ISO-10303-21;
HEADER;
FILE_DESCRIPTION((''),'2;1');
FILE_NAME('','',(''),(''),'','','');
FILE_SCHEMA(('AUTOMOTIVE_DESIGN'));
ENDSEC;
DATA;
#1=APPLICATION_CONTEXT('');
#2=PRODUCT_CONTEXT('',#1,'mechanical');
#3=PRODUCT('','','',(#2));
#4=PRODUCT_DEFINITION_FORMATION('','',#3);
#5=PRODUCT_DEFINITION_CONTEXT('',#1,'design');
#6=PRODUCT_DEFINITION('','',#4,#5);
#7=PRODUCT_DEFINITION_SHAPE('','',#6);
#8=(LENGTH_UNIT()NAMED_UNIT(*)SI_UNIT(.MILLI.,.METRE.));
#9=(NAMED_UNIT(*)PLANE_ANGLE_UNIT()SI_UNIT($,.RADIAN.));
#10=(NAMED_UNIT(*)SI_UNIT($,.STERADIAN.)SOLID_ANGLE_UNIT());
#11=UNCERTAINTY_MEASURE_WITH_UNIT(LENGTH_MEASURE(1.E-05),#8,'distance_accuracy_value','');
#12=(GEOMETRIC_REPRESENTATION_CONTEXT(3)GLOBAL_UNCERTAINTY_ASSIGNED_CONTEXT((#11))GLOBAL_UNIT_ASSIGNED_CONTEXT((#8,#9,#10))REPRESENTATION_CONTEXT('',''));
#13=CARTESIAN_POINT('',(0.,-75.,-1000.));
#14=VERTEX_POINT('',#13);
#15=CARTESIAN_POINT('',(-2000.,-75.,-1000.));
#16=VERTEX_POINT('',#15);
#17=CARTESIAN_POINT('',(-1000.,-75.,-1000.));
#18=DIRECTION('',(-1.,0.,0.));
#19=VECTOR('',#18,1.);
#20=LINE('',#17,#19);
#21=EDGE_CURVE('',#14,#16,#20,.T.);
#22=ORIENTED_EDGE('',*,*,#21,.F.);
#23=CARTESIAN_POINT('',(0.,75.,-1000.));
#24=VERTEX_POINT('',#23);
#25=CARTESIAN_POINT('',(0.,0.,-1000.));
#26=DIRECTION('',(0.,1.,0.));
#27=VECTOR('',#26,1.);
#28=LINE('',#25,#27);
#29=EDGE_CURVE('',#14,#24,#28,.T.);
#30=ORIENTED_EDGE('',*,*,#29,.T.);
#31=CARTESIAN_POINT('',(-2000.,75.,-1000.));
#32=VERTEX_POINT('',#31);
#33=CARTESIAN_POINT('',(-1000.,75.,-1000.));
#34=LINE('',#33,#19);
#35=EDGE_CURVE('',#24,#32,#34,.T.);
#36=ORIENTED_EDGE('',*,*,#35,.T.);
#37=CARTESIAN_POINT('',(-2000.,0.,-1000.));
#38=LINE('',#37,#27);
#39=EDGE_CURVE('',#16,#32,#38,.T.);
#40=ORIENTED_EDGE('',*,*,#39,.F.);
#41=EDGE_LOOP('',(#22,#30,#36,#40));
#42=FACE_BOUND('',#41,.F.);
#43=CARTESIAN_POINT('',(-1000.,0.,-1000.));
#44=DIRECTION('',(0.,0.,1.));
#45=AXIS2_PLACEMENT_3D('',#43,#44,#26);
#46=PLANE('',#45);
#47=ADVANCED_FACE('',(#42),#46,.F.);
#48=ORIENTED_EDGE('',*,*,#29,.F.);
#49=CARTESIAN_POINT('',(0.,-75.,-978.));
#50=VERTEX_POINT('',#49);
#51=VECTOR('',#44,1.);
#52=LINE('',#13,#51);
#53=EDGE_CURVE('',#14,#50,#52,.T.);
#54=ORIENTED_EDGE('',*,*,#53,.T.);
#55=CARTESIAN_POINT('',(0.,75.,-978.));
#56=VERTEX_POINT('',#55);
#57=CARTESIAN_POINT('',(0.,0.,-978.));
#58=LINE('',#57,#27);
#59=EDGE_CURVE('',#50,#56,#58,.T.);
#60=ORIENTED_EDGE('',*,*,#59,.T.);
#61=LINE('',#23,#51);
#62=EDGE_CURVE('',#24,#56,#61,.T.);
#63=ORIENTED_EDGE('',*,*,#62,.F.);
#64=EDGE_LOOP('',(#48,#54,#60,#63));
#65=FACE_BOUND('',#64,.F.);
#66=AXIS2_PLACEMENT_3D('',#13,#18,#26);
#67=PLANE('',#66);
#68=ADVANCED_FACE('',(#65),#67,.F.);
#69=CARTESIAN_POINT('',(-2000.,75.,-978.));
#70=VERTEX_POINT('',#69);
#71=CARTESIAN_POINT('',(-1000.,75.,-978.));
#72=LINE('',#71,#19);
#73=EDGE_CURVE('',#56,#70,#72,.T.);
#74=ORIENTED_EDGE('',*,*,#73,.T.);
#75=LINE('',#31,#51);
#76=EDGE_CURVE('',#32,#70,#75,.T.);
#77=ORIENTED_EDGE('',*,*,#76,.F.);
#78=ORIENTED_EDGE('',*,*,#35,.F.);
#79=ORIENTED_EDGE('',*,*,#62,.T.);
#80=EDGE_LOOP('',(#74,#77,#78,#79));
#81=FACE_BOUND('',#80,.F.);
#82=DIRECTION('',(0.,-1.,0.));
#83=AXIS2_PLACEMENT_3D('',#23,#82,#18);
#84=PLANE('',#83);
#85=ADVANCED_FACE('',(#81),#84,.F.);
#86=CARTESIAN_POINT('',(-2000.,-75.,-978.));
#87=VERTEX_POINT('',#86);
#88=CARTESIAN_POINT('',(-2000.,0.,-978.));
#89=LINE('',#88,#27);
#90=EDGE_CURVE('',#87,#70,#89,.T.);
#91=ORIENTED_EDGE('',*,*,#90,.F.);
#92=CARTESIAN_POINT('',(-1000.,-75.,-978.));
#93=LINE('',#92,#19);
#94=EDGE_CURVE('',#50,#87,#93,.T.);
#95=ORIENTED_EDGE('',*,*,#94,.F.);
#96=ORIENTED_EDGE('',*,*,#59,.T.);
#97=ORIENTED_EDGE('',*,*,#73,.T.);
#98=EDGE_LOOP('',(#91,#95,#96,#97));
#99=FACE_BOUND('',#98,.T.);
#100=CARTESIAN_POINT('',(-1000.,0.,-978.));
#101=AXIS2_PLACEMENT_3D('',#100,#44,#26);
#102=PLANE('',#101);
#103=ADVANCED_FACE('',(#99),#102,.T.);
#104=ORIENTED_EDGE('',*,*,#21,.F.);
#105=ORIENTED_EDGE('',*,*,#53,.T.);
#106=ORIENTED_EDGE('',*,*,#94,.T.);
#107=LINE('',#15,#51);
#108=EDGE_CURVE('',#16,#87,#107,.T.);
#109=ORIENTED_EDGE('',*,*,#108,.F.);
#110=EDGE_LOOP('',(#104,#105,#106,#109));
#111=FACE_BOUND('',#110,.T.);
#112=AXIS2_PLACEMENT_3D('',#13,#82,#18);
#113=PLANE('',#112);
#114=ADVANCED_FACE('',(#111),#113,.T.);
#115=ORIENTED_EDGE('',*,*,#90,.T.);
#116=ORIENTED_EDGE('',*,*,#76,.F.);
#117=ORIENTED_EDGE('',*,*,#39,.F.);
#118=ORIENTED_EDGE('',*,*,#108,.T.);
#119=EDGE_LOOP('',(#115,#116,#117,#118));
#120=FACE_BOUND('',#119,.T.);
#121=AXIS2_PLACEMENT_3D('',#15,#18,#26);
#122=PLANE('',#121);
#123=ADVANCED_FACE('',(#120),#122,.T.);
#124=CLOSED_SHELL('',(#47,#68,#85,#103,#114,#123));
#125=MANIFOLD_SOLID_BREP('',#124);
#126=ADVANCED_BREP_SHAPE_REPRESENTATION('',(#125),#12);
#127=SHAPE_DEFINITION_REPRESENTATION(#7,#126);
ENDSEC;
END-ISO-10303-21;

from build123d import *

# Parameters (mm, degrees)
F0_W     = 150
F0_H     = 2000
F1_DEPTH = 22
F2_ANGLE = 90


with BuildPart() as f1:
    # F0 (on Right) → F1 (new body)
    with BuildSketch(Plane.YZ):
        Rectangle(F0_W, F0_H)
    extrude(amount=F1_DEPTH)


with BuildPart() as f1_1:
    # F2: moved
    add(f1.part.rotate(Axis((0, 0, -1000), (0, -1, 0)), F2_ANGLE))


solid = f1_1.part
